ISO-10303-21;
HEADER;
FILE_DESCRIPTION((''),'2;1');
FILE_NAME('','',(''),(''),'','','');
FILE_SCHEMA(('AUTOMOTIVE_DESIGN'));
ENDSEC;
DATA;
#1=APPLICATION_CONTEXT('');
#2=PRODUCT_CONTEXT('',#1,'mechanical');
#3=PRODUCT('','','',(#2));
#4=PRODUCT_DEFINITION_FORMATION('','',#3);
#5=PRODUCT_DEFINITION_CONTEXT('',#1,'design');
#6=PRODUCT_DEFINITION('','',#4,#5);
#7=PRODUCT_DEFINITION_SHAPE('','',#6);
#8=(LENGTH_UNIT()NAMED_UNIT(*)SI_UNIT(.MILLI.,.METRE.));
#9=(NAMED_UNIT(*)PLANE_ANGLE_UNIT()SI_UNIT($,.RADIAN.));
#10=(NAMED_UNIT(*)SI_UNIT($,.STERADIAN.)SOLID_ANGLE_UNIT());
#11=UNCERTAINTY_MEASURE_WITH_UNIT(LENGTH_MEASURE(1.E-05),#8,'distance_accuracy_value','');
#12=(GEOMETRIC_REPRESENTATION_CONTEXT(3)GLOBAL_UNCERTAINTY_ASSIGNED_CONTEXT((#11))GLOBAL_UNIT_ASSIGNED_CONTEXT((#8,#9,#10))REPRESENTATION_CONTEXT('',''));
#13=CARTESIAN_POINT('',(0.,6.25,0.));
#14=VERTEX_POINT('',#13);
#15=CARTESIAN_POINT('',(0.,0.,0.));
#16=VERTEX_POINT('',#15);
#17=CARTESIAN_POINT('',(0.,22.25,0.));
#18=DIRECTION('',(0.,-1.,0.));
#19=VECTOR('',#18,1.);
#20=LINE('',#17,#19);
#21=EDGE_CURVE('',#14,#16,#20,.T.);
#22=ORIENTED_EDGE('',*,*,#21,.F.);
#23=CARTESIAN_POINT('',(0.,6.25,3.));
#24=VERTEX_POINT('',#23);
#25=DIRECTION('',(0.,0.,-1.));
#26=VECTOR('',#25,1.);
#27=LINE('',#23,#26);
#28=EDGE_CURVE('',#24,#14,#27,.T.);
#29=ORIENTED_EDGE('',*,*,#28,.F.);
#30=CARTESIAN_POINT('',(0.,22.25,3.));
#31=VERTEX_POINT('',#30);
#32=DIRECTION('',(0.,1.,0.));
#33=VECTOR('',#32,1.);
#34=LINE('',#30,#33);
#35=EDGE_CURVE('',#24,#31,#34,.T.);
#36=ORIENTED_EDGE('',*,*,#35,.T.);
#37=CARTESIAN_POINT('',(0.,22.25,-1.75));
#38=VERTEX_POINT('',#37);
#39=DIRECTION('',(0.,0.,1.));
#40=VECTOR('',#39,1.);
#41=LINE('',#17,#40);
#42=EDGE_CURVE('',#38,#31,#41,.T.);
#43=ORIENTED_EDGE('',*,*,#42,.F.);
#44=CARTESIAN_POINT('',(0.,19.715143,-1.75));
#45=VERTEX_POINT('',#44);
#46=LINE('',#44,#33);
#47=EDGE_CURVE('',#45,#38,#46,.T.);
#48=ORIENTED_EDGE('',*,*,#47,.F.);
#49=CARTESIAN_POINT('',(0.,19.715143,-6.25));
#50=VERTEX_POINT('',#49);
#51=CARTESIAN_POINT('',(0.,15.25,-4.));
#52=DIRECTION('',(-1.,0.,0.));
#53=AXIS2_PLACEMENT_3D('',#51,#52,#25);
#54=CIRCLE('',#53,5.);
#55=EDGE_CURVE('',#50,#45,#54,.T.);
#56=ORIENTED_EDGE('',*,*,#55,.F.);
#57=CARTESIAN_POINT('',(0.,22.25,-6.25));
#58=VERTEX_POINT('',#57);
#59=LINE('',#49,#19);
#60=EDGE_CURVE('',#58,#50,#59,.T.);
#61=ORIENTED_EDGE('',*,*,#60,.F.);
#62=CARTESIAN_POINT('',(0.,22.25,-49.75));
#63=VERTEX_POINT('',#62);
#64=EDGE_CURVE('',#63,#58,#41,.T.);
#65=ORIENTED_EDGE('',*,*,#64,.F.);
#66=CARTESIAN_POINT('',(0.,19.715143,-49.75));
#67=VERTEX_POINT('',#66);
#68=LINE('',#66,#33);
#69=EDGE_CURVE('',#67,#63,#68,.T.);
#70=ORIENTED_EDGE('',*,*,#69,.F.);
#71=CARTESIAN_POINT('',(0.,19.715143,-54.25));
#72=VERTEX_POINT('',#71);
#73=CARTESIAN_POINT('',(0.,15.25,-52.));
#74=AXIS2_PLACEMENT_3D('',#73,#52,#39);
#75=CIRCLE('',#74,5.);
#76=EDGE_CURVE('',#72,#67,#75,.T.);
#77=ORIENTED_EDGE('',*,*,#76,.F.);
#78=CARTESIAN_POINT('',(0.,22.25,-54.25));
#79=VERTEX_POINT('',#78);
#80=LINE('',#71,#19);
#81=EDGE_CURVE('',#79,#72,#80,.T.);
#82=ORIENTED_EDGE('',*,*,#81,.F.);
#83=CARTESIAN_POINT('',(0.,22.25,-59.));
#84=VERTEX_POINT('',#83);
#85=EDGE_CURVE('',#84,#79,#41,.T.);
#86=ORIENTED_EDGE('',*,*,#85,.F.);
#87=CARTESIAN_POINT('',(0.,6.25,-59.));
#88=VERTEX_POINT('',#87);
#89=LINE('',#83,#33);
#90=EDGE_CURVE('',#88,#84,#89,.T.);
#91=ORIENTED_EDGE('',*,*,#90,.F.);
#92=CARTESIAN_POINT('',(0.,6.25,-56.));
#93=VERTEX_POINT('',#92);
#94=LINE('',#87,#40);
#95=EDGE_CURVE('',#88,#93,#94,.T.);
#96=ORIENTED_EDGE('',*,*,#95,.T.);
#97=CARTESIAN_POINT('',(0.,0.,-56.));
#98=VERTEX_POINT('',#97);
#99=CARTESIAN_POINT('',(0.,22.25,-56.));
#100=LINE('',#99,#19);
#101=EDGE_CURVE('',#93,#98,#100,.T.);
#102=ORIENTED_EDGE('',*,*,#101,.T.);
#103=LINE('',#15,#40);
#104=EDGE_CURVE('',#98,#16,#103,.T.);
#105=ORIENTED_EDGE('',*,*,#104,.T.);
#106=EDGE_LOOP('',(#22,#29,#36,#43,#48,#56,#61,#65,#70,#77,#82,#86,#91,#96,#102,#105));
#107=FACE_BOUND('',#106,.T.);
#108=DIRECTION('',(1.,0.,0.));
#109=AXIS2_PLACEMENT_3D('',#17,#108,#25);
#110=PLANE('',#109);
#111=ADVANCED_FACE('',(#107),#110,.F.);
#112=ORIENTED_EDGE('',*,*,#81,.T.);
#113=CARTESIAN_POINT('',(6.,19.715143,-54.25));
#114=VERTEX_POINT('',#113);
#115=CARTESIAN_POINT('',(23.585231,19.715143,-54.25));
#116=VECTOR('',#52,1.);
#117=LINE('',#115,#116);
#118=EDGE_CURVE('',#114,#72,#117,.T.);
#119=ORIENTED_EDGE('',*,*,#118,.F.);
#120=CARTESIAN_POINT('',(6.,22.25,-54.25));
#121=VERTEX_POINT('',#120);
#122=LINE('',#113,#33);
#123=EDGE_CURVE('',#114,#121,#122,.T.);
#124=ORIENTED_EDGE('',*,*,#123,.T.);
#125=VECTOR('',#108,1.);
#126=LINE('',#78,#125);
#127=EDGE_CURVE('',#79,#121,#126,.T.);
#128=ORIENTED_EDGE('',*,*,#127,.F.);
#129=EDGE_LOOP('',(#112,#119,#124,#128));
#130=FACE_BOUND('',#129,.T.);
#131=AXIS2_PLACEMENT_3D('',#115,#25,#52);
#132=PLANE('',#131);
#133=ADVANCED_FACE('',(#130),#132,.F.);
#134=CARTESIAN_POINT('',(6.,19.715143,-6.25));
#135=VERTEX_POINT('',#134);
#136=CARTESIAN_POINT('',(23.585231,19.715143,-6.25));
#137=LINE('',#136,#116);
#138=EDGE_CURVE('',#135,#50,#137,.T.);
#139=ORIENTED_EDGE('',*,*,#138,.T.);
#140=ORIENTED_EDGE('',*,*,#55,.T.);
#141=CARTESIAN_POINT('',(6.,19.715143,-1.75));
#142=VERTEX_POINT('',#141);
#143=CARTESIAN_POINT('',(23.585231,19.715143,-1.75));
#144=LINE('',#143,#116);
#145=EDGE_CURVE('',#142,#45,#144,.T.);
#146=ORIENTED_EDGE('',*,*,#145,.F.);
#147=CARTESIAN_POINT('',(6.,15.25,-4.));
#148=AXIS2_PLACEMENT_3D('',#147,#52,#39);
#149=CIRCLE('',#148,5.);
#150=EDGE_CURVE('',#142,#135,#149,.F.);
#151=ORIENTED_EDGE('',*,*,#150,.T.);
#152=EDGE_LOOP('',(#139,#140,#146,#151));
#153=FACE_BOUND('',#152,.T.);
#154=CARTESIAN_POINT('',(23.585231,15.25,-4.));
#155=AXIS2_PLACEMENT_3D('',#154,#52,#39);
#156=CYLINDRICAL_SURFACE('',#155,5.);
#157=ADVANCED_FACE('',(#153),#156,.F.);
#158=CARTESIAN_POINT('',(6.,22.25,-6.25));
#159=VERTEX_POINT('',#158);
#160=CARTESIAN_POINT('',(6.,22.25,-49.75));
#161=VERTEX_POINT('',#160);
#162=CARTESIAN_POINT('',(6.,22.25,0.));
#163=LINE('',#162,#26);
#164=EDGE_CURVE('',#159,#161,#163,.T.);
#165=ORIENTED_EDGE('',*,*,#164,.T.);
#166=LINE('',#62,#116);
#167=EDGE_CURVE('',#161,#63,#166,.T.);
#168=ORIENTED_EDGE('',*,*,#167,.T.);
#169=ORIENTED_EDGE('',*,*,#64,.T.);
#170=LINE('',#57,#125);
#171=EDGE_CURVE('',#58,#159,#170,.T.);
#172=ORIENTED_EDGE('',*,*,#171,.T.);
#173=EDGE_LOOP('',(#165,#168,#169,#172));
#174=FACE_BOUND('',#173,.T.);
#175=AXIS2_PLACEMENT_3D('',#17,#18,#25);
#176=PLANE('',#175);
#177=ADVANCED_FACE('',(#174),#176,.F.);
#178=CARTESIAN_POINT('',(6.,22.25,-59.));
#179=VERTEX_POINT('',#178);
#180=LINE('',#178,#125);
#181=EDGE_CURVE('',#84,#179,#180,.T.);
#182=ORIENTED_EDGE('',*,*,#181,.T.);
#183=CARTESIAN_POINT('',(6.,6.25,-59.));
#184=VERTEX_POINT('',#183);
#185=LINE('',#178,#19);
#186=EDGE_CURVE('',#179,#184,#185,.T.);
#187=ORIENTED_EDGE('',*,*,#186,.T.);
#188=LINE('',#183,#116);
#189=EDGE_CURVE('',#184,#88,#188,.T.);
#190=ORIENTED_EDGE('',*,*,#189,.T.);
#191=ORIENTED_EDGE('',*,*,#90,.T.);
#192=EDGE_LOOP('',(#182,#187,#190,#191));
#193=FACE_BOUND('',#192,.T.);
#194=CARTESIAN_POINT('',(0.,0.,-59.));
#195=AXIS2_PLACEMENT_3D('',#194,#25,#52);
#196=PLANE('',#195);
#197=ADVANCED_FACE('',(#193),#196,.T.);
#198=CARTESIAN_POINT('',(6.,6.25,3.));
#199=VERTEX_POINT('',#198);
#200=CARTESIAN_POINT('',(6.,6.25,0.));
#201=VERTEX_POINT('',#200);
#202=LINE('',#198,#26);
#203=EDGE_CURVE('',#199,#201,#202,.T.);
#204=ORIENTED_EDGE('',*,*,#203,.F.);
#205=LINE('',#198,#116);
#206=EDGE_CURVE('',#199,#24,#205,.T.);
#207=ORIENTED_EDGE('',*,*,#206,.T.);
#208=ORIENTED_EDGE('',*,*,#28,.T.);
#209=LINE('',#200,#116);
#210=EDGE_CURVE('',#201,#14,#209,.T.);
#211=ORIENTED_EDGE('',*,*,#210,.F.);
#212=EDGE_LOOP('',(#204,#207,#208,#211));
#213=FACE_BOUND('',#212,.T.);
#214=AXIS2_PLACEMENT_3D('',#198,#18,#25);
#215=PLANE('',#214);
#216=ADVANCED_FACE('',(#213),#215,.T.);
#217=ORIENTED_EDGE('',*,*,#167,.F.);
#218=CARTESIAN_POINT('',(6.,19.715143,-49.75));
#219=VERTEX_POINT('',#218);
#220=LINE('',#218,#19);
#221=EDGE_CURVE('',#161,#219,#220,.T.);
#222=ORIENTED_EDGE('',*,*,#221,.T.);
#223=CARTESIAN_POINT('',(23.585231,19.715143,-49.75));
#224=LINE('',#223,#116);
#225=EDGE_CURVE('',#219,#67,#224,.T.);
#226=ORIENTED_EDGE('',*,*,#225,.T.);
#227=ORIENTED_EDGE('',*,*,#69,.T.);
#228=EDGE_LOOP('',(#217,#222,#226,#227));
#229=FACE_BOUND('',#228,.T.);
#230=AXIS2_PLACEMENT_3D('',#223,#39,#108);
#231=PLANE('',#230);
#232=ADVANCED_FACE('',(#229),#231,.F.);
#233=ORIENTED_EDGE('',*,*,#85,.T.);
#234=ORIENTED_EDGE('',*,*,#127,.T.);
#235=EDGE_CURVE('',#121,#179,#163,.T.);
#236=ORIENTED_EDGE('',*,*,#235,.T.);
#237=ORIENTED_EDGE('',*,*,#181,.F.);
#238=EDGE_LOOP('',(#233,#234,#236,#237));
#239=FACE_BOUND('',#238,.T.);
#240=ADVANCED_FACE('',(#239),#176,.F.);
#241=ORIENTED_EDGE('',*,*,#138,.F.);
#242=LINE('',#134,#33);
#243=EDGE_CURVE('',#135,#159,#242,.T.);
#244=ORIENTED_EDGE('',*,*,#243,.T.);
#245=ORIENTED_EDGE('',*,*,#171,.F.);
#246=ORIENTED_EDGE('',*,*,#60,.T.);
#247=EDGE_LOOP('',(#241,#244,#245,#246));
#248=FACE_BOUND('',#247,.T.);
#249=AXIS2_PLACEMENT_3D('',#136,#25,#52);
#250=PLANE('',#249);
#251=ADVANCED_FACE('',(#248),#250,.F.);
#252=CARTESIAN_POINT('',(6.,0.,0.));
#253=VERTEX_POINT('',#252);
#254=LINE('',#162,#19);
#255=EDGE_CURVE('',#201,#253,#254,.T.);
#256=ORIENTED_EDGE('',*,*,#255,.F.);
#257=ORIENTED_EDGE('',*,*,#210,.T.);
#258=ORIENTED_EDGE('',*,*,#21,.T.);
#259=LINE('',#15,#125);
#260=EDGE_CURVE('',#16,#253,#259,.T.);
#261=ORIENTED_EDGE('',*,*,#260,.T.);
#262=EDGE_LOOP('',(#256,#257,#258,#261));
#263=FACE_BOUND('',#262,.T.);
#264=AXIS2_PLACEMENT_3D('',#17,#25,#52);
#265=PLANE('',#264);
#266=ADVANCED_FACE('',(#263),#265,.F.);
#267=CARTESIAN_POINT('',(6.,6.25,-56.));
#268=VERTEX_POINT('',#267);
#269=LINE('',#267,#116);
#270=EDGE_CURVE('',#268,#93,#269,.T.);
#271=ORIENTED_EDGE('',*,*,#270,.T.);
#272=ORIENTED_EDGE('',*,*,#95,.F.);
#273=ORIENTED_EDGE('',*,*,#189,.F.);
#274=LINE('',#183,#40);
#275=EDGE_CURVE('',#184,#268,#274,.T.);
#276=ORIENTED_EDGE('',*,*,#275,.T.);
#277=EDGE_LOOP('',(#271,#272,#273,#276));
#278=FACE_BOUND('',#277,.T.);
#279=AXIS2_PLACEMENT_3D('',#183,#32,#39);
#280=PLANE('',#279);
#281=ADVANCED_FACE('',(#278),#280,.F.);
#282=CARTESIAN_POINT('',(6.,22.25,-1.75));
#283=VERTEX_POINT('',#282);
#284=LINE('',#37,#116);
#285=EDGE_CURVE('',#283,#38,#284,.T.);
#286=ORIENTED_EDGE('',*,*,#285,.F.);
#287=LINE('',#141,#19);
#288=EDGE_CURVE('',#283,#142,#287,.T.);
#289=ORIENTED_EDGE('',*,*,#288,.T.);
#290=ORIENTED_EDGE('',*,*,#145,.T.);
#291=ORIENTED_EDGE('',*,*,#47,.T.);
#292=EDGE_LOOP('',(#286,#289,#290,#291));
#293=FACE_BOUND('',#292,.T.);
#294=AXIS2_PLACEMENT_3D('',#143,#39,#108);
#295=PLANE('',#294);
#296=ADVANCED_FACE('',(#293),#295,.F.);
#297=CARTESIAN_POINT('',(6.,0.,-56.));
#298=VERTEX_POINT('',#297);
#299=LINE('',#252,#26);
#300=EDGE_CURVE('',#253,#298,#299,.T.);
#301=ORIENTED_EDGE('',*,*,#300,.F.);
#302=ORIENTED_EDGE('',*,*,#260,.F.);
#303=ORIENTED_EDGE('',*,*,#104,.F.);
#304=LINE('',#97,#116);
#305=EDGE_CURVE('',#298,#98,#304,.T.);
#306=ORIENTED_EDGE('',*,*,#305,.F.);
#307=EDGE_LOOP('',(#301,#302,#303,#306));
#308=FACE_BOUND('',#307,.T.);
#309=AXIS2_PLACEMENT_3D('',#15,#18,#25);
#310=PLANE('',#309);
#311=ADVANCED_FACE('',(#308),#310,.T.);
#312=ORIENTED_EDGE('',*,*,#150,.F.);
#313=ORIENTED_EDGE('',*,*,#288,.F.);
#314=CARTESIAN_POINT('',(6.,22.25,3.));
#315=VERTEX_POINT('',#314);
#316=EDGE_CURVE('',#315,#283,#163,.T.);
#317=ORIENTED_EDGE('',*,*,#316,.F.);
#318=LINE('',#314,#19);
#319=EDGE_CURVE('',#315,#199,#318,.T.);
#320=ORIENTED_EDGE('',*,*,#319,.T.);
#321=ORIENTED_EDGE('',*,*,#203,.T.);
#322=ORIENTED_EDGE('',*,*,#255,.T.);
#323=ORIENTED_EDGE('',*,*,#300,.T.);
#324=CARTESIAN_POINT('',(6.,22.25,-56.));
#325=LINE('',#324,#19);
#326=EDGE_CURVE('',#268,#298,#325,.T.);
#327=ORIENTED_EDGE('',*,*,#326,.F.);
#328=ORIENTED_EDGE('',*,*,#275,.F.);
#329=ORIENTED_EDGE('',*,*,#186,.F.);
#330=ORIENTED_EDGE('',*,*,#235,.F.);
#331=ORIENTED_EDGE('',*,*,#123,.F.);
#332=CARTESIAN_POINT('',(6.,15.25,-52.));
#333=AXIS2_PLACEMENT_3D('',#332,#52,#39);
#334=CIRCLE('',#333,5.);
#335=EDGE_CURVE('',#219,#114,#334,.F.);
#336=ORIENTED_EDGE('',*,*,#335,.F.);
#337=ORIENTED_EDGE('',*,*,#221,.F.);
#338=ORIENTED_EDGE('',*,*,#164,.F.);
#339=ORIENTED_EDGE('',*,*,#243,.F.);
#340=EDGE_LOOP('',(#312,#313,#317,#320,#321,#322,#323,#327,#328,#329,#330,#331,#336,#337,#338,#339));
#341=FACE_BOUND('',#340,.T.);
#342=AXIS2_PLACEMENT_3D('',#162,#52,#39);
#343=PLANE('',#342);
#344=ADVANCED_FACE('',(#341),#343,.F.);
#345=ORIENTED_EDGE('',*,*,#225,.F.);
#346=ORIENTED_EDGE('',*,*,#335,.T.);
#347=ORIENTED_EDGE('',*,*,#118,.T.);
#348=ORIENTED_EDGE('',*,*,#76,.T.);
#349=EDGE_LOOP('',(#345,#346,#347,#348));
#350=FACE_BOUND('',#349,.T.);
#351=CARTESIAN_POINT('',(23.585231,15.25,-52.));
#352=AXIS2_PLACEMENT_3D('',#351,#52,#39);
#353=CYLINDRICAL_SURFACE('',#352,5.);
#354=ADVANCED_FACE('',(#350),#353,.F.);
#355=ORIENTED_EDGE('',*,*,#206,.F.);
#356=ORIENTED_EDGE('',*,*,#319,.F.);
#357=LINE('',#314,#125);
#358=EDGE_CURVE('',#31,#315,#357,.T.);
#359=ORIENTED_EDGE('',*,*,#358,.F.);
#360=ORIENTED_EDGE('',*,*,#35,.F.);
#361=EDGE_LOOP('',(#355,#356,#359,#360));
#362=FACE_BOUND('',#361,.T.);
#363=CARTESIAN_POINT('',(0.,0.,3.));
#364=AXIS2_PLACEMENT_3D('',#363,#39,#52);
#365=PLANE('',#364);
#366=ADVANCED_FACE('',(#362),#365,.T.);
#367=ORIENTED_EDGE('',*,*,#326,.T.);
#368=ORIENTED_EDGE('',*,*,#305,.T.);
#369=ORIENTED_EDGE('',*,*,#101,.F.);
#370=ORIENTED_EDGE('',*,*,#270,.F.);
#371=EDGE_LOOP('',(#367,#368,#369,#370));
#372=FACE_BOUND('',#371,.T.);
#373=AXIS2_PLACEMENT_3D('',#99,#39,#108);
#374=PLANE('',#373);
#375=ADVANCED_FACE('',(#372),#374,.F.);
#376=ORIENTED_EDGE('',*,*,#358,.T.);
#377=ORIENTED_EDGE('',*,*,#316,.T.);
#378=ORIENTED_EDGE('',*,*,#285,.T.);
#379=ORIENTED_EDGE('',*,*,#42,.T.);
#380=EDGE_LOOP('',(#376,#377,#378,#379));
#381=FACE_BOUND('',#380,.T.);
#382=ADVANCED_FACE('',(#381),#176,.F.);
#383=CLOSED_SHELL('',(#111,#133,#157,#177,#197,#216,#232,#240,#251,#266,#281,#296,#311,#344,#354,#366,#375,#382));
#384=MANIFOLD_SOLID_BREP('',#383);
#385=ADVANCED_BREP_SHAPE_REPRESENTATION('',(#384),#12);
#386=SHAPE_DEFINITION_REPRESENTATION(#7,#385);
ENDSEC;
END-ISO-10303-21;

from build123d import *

# Parameters (mm, degrees)
SKETCH1_W           = 6
SKETCH1_H           = 56
BOSS_EXTRUDE1_DEPTH = 22.25
SKETCH6_W           = 6
SKETCH6_H           = 16
BOSS_EXTRUDE3_DEPTH = 3
CUT_EXTRUDE1_DEPTH  = 6


with BuildPart() as part:
    # Sketch1 → Boss-Extrude1 (new body)
    with BuildSketch(Plane(origin=(0, 0, 0), x_dir=(1, 0, 0), z_dir=(0, 1, 0))):
        with Locations((3, 28)):
            Rectangle(SKETCH1_W, SKETCH1_H)
    extrude(amount=BOSS_EXTRUDE1_DEPTH)

    # Sketch6 → Boss-Extrude3 (add)
    with BuildSketch(Plane(origin=(0, 0, -56), x_dir=(-1, 0, 0), z_dir=(0, 0, -1))):
        with Locations((-3, 14.25)):
            Rectangle(SKETCH6_W, SKETCH6_H)
    boss_extrude3 = extrude(amount=BOSS_EXTRUDE3_DEPTH)

    # Mirror3: Boss-Extrude3 across plane
    add(boss_extrude3.mirror(Plane(origin=(0, 0, -28), x_dir=(1, 0, 0), z_dir=(0, 0, -1))))

    # Sketch7 → Cut-Extrude1 (cut)
    with BuildSketch(Plane.ZY):
        with BuildLine():
            Line((-54.25, 19.715142775), (-54.25, 24.715142775))
            Line((-54.25, 24.715142775), (-49.75, 24.715142775))
            Line((-49.75, 24.715142775), (-49.75, 19.715142775))
            ThreePointArc((-49.75, 19.715142775), (-52, 10.25), (-54.25, 19.715142775))
        make_face()
        with BuildLine():
            Line((-6.25, 19.715142775), (-6.25, 24.715142775))
            Line((-6.25, 24.715142775), (-1.75, 24.715142775))
            Line((-1.75, 24.715142775), (-1.75, 19.715142775))
            ThreePointArc((-1.75, 19.715142775), (-4, 10.25), (-6.25, 19.715142775))
        make_face()
    extrude(amount=-CUT_EXTRUDE1_DEPTH, mode=Mode.SUBTRACT)


solid = part.part
